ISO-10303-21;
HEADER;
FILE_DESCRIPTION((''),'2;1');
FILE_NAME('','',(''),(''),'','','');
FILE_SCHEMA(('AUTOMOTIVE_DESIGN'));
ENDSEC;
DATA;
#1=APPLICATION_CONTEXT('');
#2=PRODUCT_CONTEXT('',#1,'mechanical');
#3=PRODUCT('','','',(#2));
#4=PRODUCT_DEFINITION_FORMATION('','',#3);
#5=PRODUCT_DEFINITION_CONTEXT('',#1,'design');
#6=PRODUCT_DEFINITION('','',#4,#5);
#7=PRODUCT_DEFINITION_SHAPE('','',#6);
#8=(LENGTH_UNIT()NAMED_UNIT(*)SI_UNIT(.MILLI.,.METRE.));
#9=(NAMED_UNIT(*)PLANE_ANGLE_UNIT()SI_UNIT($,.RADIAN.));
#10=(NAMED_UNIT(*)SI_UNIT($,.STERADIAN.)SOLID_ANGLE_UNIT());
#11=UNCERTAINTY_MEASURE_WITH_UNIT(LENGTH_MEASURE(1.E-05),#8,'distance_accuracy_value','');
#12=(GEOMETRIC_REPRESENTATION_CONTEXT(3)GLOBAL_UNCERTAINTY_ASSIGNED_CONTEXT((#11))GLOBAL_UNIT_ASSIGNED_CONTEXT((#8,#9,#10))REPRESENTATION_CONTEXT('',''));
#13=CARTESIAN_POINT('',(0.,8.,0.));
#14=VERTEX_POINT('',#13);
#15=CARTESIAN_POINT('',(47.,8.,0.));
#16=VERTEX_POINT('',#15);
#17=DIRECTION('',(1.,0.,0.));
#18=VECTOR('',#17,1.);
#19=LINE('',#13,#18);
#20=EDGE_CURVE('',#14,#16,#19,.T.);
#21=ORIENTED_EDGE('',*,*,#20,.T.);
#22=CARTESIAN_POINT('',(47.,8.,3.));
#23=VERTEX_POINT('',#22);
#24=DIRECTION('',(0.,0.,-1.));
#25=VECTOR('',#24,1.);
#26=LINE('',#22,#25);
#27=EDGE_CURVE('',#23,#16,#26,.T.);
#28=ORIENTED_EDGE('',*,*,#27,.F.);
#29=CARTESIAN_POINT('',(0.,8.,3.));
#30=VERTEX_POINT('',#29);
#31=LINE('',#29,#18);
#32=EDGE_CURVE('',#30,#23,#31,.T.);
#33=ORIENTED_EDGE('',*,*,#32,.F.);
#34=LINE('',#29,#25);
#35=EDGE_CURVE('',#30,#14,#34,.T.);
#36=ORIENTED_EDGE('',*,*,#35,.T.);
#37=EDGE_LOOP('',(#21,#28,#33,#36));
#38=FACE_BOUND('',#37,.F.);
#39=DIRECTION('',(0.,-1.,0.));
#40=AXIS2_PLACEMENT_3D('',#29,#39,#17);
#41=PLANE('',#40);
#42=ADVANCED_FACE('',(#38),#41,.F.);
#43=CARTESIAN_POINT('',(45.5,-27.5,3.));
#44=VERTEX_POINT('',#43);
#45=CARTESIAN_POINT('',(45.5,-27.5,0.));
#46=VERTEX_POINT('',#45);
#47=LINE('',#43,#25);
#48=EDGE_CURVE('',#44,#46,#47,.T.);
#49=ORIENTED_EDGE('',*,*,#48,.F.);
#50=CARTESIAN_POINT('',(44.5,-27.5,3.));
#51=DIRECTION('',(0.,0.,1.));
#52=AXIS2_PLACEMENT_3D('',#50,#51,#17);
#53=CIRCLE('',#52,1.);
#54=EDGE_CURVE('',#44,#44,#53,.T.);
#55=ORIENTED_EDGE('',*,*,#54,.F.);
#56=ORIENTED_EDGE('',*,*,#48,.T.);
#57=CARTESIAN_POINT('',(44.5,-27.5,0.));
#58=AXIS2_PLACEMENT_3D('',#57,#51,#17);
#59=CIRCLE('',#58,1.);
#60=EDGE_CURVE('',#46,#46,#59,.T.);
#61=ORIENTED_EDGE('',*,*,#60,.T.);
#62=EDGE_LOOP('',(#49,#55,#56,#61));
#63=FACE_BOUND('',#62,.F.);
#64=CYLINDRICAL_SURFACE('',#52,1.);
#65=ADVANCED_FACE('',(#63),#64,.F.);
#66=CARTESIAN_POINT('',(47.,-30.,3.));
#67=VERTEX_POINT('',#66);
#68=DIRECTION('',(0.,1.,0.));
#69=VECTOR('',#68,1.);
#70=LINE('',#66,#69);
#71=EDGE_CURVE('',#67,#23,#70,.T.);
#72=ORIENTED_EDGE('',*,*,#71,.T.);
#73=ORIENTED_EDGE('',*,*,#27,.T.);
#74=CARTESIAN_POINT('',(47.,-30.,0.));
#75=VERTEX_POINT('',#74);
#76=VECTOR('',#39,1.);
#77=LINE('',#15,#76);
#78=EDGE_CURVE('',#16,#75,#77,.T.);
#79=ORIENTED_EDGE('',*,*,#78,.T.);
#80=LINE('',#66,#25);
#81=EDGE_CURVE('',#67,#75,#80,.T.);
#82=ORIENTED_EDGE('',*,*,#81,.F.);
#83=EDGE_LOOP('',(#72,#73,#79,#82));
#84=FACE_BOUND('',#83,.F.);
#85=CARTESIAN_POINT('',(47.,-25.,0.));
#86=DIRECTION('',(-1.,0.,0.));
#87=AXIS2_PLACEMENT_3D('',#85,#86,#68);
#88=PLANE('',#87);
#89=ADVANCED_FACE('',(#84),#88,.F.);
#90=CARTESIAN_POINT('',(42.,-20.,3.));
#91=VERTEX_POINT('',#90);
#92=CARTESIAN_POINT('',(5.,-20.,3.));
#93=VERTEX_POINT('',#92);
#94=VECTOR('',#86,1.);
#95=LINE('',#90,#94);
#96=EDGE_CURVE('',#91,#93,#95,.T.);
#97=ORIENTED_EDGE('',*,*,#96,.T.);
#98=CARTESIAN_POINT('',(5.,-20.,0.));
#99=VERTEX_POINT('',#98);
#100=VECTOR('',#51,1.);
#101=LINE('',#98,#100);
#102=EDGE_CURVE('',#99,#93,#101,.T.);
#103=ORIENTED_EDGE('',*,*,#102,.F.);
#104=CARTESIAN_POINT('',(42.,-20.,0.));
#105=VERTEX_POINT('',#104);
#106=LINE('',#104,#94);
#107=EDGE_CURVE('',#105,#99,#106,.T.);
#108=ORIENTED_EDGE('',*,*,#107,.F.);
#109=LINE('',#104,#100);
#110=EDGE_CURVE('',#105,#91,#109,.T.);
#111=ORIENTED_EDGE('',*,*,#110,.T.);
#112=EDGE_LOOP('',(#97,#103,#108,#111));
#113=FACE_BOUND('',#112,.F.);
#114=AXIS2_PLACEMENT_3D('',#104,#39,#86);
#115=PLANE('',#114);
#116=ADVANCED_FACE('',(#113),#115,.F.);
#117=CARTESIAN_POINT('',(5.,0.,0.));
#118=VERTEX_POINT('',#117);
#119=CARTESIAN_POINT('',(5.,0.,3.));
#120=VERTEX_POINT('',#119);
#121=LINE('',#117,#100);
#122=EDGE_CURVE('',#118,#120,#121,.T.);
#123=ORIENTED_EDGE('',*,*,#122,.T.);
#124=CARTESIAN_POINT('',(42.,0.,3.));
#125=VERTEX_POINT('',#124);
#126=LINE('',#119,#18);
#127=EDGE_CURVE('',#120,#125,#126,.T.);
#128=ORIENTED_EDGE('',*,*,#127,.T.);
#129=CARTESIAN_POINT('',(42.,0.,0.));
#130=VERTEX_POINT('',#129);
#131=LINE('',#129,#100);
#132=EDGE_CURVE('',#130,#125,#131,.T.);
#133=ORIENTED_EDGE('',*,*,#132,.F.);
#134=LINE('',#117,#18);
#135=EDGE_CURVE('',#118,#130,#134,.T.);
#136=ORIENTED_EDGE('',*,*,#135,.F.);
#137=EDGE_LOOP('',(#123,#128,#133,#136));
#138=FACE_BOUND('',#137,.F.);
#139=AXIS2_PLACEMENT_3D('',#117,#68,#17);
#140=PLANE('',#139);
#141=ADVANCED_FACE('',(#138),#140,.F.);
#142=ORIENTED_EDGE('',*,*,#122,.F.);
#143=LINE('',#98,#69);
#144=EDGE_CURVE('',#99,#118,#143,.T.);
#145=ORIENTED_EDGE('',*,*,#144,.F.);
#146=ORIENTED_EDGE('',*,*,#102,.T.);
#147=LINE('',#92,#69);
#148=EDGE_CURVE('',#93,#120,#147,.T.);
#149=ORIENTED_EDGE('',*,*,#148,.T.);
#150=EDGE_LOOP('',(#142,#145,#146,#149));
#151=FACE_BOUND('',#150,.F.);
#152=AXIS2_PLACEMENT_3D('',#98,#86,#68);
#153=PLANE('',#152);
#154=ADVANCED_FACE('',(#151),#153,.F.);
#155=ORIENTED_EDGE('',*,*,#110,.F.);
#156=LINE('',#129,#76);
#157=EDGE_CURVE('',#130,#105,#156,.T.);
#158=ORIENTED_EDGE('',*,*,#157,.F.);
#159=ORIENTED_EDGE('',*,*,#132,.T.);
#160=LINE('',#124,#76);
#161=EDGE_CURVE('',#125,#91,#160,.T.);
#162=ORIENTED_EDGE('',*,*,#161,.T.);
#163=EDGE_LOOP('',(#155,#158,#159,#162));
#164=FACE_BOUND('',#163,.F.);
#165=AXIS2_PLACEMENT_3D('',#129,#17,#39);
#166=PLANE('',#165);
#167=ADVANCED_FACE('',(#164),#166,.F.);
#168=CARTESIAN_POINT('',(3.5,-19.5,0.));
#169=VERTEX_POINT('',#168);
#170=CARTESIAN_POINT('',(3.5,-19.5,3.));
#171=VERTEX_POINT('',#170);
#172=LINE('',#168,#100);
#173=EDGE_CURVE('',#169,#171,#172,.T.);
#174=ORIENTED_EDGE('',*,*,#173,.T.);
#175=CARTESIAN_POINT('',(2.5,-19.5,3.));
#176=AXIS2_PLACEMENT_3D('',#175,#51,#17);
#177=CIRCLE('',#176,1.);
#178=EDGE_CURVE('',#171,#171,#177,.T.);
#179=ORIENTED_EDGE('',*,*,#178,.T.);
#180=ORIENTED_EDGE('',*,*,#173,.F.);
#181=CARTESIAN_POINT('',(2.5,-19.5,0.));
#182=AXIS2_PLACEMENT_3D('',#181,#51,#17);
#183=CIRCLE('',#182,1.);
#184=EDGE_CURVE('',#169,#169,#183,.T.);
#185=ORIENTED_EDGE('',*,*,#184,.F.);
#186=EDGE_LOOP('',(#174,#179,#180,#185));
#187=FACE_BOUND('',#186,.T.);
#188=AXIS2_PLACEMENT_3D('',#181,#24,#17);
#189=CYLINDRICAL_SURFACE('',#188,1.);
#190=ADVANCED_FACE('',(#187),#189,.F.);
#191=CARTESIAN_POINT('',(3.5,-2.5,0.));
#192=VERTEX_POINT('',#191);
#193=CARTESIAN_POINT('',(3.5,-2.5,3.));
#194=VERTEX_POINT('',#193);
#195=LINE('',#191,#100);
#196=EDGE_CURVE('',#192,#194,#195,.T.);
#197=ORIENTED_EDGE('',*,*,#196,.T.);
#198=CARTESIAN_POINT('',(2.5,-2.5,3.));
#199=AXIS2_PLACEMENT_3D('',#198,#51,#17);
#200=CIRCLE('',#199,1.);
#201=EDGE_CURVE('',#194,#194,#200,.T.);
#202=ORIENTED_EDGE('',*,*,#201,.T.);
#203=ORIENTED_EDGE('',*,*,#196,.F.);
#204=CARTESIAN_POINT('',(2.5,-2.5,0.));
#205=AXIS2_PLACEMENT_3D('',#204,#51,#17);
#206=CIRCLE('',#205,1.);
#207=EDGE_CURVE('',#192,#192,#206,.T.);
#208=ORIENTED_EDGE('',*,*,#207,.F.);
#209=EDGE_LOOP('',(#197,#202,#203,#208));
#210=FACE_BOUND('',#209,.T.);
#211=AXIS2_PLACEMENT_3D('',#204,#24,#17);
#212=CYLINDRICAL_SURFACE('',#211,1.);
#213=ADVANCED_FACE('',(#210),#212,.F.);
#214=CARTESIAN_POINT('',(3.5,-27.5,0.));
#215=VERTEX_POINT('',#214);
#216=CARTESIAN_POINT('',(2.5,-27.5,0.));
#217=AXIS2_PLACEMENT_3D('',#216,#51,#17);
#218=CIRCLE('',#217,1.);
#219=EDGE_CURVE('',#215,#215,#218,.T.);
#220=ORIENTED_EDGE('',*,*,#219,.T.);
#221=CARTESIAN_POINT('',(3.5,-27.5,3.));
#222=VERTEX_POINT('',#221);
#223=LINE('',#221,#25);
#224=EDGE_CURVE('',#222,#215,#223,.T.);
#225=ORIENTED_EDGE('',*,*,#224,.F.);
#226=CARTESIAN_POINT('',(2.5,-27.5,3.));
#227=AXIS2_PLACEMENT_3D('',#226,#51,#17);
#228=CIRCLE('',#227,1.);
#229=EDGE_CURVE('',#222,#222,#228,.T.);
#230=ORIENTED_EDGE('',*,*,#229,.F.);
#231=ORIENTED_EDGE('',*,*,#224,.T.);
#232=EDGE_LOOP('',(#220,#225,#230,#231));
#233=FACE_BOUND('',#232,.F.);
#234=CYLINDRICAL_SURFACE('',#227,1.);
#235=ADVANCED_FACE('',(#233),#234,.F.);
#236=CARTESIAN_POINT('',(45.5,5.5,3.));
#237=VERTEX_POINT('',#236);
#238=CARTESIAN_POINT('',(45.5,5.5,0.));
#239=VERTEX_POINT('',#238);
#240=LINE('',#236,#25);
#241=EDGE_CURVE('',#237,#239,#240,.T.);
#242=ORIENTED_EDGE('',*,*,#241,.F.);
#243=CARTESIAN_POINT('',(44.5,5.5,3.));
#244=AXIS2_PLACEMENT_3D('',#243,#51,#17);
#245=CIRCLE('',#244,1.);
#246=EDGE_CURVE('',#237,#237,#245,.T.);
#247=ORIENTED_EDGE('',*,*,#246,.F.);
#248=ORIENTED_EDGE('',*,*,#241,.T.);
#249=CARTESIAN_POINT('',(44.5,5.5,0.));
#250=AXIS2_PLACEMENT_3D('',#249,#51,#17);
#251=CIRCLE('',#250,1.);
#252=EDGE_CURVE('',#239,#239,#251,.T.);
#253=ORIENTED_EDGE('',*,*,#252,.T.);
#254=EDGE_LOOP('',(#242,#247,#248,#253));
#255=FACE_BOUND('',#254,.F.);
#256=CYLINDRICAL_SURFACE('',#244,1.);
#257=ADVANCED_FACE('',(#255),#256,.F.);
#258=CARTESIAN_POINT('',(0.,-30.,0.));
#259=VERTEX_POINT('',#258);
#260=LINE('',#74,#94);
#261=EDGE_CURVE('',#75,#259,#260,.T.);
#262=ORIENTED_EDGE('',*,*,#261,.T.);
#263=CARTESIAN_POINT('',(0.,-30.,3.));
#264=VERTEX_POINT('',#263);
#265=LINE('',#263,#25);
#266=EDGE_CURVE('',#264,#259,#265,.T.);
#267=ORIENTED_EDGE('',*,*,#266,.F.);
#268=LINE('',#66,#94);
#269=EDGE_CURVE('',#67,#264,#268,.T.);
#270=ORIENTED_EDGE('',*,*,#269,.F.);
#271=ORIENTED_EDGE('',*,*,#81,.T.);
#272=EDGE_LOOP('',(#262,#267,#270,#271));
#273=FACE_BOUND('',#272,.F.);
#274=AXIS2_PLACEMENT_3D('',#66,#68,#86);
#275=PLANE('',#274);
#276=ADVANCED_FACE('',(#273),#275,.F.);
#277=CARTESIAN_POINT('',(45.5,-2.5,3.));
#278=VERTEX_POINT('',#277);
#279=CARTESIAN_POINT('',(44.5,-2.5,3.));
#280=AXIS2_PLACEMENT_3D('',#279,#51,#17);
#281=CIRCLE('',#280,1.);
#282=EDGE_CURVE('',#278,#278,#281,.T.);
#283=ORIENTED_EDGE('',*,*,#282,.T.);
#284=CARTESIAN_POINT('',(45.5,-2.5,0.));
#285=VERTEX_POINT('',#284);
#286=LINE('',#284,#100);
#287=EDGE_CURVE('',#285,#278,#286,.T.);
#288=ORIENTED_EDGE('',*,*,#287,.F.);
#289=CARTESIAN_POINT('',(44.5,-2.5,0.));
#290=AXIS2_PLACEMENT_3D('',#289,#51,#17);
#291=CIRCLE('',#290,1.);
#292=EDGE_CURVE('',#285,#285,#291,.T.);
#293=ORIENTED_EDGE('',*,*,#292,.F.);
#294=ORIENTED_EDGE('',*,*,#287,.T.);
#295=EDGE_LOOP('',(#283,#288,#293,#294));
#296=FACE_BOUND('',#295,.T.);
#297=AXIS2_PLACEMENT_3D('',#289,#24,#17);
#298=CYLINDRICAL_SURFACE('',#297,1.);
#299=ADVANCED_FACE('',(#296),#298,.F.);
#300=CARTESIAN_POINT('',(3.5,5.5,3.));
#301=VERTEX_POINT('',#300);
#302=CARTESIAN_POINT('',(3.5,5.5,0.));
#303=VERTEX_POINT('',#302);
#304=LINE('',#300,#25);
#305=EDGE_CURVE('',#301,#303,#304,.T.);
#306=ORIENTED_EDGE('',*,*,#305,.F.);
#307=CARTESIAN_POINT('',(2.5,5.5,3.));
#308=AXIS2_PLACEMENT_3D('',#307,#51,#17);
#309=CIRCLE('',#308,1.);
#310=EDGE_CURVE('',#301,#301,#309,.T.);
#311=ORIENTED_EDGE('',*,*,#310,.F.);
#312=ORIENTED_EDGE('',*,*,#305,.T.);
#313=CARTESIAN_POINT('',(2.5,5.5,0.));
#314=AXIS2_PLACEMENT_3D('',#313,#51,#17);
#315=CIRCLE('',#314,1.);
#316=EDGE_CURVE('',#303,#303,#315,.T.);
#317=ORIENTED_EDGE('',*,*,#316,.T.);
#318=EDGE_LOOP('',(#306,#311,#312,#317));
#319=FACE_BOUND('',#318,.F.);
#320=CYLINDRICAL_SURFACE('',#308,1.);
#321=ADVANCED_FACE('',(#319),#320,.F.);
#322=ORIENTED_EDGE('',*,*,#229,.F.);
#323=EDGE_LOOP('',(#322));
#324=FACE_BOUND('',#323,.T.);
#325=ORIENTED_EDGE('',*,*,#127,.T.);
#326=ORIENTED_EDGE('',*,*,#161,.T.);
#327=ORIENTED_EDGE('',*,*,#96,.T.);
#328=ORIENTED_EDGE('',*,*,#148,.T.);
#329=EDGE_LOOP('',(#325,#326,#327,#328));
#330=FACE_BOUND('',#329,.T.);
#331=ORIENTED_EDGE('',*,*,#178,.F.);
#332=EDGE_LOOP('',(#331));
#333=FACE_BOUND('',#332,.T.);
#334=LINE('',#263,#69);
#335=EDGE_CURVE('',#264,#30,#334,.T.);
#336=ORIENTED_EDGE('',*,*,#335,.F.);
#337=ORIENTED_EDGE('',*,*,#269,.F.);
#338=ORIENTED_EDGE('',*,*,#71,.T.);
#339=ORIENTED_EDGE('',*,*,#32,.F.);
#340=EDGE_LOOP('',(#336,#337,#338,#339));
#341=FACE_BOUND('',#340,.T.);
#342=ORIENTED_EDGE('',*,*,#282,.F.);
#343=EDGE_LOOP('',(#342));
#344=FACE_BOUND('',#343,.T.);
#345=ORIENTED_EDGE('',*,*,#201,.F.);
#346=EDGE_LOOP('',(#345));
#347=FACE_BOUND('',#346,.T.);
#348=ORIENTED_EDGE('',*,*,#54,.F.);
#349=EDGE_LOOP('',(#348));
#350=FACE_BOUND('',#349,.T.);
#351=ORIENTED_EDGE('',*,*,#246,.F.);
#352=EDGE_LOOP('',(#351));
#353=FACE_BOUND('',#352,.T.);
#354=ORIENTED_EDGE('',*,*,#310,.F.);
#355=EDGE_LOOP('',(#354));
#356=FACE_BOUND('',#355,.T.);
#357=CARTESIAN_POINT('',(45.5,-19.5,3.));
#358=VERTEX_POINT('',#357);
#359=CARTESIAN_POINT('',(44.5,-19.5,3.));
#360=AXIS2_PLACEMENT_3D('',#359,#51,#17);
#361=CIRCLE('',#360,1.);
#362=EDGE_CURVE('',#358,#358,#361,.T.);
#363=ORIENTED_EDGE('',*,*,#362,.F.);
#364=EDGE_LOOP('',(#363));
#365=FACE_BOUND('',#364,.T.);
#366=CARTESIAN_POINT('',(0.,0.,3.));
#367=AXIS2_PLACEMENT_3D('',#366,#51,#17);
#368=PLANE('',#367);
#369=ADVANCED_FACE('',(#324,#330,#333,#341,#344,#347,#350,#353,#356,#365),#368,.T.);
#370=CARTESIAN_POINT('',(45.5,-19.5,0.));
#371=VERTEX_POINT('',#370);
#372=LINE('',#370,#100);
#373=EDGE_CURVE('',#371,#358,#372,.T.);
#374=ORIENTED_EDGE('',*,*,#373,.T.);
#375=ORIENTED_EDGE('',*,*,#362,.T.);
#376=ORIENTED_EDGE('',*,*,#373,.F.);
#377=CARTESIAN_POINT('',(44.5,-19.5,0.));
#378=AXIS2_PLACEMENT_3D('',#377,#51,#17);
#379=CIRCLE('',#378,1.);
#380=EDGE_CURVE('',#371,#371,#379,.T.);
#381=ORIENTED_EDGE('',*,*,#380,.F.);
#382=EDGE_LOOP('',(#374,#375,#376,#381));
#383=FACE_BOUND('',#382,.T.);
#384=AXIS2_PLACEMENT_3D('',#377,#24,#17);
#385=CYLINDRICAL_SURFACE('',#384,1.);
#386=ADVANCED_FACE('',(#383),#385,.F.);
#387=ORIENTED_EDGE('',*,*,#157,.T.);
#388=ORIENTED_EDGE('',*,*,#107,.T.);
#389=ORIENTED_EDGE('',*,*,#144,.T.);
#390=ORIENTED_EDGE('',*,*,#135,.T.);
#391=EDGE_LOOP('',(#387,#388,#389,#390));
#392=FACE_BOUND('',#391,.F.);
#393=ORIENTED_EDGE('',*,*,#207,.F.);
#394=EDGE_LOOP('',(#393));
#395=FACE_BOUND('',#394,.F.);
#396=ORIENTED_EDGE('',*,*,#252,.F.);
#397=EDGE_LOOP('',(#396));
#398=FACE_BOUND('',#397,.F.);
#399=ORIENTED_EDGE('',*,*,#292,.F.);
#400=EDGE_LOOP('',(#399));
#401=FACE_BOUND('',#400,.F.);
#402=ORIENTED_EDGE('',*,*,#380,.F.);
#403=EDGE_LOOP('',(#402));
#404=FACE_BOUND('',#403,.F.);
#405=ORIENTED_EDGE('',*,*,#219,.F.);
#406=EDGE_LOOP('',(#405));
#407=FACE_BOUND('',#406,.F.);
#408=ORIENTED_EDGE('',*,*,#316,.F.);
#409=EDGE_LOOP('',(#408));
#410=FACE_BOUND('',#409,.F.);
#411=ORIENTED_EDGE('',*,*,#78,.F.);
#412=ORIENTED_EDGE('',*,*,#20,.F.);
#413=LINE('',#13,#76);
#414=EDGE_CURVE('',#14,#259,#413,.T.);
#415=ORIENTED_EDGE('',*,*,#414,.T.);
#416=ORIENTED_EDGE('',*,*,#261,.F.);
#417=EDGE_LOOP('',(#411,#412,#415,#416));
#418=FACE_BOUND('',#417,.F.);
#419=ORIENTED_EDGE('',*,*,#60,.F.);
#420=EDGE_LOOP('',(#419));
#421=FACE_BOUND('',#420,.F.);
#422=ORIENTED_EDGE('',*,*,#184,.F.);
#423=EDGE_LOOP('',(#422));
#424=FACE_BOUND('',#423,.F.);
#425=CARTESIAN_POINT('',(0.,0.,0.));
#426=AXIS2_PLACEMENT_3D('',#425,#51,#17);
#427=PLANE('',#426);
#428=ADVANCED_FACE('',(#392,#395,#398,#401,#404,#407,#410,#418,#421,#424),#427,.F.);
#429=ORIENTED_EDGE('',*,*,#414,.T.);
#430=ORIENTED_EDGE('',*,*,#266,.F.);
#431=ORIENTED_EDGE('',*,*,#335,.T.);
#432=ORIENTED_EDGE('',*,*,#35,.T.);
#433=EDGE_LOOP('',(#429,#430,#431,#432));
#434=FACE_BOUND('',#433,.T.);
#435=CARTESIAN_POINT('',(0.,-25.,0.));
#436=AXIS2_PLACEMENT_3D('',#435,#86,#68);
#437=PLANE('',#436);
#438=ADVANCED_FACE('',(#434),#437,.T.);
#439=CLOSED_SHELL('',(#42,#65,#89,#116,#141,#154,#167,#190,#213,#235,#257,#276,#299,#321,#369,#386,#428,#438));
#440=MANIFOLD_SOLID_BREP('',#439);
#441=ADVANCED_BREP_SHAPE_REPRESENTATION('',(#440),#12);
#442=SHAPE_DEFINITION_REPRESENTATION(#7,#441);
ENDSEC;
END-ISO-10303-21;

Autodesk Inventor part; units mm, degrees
ref_plane "YZ Plane" through (0, 0, 0) normal (1, 0, 0) x (0, 1, 0)
ref_plane "XZ Plane" through (0, 0, 0) normal (0, 1, 0) x (-1, 0, 0)
ref_plane "Work Plane1" through (0, 0, 0) normal (0, 0, 1) x (1, 0, 0)
sketch "Sketch1" plane through (0, 0, 0) normal (0, 0, 1) x (1, 0, 0)
  circle A0 centre (2.5, -19.5) radius 1 projected
  circle A1 centre (2.5, -2.5) radius 1 projected
  circle A2 centre (44.5, -2.5) radius 1 projected
  circle A3 centre (44.5, -19.5) radius 1 projected
  line L0 (0, -25) -> (0, 3) projected
  line L1 (0, -25) -> (47, -25) projected
  line L2 (47, -25) -> (47, 3) projected
  line L3 (0, 3) -> (47, 3) projected
  line L4 (5, 0) -> (42, 0) projected
  line L5 (42, 0) -> (42, -20) projected
  line L6 (42, -20) -> (5, -20) projected
  line L7 (5, -20) -> (5, 0) projected
  point P0 (0, 0)
extrude "Extrusion1" add sketch "Sketch1" along normal blind 3
sketch "Sketch2" plane through (0, 0, 3) normal (0, 0, 1) x (1, 0, 0)
  line L0 (47, 3) -> (0, 3) projected
  line L1 (47, 3) -> (0, 3)
  line L2 (0, 3) -> (0, 8)
  line L3 (0, 8) -> (47, 8)
  line L4 (47, 8) -> (47, 3)
  line L5 (0, -25) -> (47, -25) projected
  line L6 (0, -25) -> (47, -25)
  line L7 (47, -25) -> (47, -30)
  line L8 (47, -30) -> (0, -30)
  line L9 (0, -30) -> (0, -25)
  point P0 (0, 0)
  dimension "d2" = 5
  dimension "d3" = 5
extrude "Extrusion2" add sketch "Sketch2" against normal blind 3
sketch "Sketch4" plane through (0, 0, 3) normal (0, 0, 1) x (1, 0, 0)
  circle A0 centre (2.5, -2.5) radius 1 projected
  circle A1 centre (44.5, -2.5) radius 1 projected
  circle A2 centre (44.5, -19.5) radius 1 projected
  circle A3 centre (2.5, -19.5) radius 1 projected
  circle A4 centre (2.5, 5.5) radius 1
  circle A5 centre (44.5, 5.5) radius 1
  circle A6 centre (2.5, -27.5) radius 1
  circle A7 centre (44.5, -27.5) radius 1
  line L0 (0, 8) -> (47, 8) projected
  line L1 (47, -30) -> (0, -30) projected
  point P0 (0, 0)
  dimension "d6" = 2.5
  dimension "d7" = 2.5
  dimension "d8" = 2.5
  dimension "d9" = 2.5
extrude "Extrusion3" cut sketch "Sketch4" against normal blind 3 contours A4 | A5 | A6 | A7
properties part number "ProxSensor_Bracket_Back"
